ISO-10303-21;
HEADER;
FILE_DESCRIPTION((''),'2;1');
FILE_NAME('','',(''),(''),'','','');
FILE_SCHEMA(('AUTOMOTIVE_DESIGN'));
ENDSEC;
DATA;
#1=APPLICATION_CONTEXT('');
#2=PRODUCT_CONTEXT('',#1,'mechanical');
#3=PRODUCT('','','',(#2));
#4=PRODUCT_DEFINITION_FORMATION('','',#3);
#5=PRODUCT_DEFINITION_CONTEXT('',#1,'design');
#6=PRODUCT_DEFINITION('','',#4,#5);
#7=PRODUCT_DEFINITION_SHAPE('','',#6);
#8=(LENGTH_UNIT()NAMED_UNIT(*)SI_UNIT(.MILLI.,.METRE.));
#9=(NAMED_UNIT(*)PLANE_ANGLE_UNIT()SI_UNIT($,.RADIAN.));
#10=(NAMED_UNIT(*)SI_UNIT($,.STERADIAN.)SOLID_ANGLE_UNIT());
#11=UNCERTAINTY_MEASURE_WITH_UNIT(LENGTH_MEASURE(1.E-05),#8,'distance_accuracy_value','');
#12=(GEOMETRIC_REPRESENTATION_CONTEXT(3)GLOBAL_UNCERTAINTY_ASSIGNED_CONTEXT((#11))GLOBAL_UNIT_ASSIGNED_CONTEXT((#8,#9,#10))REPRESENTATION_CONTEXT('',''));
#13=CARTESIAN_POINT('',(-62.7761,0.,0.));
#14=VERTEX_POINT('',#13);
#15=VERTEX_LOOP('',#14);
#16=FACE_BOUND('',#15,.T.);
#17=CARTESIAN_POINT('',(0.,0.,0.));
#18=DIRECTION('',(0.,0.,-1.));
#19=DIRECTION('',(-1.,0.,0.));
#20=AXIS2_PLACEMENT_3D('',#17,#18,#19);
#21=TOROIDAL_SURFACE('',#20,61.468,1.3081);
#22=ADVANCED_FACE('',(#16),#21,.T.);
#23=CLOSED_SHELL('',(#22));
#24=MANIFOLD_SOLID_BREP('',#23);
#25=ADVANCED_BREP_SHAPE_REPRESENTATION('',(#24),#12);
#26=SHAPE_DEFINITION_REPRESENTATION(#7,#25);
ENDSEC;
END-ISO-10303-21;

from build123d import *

# Parameters (mm, degrees)
SKETCH3_R = 1.3081


with BuildPart() as part:
    # Sketch3 → Revolve1 (revolve)
    with BuildSketch(Plane(origin=(0, 0, 0), x_dir=(0, 0, -1), z_dir=(1, 0, 0)), mode=Mode.PRIVATE) as revolve1_sk:
        with Locations((0, -61.468)):
            Circle(SKETCH3_R)
    revolve(revolve1_sk.sketch.rotate(Axis((0, 0, -1.3081), (0, 0, 1)), 270), axis=Axis((0, 0, -1.3081), (0, 0, 1)))


solid = part.part
